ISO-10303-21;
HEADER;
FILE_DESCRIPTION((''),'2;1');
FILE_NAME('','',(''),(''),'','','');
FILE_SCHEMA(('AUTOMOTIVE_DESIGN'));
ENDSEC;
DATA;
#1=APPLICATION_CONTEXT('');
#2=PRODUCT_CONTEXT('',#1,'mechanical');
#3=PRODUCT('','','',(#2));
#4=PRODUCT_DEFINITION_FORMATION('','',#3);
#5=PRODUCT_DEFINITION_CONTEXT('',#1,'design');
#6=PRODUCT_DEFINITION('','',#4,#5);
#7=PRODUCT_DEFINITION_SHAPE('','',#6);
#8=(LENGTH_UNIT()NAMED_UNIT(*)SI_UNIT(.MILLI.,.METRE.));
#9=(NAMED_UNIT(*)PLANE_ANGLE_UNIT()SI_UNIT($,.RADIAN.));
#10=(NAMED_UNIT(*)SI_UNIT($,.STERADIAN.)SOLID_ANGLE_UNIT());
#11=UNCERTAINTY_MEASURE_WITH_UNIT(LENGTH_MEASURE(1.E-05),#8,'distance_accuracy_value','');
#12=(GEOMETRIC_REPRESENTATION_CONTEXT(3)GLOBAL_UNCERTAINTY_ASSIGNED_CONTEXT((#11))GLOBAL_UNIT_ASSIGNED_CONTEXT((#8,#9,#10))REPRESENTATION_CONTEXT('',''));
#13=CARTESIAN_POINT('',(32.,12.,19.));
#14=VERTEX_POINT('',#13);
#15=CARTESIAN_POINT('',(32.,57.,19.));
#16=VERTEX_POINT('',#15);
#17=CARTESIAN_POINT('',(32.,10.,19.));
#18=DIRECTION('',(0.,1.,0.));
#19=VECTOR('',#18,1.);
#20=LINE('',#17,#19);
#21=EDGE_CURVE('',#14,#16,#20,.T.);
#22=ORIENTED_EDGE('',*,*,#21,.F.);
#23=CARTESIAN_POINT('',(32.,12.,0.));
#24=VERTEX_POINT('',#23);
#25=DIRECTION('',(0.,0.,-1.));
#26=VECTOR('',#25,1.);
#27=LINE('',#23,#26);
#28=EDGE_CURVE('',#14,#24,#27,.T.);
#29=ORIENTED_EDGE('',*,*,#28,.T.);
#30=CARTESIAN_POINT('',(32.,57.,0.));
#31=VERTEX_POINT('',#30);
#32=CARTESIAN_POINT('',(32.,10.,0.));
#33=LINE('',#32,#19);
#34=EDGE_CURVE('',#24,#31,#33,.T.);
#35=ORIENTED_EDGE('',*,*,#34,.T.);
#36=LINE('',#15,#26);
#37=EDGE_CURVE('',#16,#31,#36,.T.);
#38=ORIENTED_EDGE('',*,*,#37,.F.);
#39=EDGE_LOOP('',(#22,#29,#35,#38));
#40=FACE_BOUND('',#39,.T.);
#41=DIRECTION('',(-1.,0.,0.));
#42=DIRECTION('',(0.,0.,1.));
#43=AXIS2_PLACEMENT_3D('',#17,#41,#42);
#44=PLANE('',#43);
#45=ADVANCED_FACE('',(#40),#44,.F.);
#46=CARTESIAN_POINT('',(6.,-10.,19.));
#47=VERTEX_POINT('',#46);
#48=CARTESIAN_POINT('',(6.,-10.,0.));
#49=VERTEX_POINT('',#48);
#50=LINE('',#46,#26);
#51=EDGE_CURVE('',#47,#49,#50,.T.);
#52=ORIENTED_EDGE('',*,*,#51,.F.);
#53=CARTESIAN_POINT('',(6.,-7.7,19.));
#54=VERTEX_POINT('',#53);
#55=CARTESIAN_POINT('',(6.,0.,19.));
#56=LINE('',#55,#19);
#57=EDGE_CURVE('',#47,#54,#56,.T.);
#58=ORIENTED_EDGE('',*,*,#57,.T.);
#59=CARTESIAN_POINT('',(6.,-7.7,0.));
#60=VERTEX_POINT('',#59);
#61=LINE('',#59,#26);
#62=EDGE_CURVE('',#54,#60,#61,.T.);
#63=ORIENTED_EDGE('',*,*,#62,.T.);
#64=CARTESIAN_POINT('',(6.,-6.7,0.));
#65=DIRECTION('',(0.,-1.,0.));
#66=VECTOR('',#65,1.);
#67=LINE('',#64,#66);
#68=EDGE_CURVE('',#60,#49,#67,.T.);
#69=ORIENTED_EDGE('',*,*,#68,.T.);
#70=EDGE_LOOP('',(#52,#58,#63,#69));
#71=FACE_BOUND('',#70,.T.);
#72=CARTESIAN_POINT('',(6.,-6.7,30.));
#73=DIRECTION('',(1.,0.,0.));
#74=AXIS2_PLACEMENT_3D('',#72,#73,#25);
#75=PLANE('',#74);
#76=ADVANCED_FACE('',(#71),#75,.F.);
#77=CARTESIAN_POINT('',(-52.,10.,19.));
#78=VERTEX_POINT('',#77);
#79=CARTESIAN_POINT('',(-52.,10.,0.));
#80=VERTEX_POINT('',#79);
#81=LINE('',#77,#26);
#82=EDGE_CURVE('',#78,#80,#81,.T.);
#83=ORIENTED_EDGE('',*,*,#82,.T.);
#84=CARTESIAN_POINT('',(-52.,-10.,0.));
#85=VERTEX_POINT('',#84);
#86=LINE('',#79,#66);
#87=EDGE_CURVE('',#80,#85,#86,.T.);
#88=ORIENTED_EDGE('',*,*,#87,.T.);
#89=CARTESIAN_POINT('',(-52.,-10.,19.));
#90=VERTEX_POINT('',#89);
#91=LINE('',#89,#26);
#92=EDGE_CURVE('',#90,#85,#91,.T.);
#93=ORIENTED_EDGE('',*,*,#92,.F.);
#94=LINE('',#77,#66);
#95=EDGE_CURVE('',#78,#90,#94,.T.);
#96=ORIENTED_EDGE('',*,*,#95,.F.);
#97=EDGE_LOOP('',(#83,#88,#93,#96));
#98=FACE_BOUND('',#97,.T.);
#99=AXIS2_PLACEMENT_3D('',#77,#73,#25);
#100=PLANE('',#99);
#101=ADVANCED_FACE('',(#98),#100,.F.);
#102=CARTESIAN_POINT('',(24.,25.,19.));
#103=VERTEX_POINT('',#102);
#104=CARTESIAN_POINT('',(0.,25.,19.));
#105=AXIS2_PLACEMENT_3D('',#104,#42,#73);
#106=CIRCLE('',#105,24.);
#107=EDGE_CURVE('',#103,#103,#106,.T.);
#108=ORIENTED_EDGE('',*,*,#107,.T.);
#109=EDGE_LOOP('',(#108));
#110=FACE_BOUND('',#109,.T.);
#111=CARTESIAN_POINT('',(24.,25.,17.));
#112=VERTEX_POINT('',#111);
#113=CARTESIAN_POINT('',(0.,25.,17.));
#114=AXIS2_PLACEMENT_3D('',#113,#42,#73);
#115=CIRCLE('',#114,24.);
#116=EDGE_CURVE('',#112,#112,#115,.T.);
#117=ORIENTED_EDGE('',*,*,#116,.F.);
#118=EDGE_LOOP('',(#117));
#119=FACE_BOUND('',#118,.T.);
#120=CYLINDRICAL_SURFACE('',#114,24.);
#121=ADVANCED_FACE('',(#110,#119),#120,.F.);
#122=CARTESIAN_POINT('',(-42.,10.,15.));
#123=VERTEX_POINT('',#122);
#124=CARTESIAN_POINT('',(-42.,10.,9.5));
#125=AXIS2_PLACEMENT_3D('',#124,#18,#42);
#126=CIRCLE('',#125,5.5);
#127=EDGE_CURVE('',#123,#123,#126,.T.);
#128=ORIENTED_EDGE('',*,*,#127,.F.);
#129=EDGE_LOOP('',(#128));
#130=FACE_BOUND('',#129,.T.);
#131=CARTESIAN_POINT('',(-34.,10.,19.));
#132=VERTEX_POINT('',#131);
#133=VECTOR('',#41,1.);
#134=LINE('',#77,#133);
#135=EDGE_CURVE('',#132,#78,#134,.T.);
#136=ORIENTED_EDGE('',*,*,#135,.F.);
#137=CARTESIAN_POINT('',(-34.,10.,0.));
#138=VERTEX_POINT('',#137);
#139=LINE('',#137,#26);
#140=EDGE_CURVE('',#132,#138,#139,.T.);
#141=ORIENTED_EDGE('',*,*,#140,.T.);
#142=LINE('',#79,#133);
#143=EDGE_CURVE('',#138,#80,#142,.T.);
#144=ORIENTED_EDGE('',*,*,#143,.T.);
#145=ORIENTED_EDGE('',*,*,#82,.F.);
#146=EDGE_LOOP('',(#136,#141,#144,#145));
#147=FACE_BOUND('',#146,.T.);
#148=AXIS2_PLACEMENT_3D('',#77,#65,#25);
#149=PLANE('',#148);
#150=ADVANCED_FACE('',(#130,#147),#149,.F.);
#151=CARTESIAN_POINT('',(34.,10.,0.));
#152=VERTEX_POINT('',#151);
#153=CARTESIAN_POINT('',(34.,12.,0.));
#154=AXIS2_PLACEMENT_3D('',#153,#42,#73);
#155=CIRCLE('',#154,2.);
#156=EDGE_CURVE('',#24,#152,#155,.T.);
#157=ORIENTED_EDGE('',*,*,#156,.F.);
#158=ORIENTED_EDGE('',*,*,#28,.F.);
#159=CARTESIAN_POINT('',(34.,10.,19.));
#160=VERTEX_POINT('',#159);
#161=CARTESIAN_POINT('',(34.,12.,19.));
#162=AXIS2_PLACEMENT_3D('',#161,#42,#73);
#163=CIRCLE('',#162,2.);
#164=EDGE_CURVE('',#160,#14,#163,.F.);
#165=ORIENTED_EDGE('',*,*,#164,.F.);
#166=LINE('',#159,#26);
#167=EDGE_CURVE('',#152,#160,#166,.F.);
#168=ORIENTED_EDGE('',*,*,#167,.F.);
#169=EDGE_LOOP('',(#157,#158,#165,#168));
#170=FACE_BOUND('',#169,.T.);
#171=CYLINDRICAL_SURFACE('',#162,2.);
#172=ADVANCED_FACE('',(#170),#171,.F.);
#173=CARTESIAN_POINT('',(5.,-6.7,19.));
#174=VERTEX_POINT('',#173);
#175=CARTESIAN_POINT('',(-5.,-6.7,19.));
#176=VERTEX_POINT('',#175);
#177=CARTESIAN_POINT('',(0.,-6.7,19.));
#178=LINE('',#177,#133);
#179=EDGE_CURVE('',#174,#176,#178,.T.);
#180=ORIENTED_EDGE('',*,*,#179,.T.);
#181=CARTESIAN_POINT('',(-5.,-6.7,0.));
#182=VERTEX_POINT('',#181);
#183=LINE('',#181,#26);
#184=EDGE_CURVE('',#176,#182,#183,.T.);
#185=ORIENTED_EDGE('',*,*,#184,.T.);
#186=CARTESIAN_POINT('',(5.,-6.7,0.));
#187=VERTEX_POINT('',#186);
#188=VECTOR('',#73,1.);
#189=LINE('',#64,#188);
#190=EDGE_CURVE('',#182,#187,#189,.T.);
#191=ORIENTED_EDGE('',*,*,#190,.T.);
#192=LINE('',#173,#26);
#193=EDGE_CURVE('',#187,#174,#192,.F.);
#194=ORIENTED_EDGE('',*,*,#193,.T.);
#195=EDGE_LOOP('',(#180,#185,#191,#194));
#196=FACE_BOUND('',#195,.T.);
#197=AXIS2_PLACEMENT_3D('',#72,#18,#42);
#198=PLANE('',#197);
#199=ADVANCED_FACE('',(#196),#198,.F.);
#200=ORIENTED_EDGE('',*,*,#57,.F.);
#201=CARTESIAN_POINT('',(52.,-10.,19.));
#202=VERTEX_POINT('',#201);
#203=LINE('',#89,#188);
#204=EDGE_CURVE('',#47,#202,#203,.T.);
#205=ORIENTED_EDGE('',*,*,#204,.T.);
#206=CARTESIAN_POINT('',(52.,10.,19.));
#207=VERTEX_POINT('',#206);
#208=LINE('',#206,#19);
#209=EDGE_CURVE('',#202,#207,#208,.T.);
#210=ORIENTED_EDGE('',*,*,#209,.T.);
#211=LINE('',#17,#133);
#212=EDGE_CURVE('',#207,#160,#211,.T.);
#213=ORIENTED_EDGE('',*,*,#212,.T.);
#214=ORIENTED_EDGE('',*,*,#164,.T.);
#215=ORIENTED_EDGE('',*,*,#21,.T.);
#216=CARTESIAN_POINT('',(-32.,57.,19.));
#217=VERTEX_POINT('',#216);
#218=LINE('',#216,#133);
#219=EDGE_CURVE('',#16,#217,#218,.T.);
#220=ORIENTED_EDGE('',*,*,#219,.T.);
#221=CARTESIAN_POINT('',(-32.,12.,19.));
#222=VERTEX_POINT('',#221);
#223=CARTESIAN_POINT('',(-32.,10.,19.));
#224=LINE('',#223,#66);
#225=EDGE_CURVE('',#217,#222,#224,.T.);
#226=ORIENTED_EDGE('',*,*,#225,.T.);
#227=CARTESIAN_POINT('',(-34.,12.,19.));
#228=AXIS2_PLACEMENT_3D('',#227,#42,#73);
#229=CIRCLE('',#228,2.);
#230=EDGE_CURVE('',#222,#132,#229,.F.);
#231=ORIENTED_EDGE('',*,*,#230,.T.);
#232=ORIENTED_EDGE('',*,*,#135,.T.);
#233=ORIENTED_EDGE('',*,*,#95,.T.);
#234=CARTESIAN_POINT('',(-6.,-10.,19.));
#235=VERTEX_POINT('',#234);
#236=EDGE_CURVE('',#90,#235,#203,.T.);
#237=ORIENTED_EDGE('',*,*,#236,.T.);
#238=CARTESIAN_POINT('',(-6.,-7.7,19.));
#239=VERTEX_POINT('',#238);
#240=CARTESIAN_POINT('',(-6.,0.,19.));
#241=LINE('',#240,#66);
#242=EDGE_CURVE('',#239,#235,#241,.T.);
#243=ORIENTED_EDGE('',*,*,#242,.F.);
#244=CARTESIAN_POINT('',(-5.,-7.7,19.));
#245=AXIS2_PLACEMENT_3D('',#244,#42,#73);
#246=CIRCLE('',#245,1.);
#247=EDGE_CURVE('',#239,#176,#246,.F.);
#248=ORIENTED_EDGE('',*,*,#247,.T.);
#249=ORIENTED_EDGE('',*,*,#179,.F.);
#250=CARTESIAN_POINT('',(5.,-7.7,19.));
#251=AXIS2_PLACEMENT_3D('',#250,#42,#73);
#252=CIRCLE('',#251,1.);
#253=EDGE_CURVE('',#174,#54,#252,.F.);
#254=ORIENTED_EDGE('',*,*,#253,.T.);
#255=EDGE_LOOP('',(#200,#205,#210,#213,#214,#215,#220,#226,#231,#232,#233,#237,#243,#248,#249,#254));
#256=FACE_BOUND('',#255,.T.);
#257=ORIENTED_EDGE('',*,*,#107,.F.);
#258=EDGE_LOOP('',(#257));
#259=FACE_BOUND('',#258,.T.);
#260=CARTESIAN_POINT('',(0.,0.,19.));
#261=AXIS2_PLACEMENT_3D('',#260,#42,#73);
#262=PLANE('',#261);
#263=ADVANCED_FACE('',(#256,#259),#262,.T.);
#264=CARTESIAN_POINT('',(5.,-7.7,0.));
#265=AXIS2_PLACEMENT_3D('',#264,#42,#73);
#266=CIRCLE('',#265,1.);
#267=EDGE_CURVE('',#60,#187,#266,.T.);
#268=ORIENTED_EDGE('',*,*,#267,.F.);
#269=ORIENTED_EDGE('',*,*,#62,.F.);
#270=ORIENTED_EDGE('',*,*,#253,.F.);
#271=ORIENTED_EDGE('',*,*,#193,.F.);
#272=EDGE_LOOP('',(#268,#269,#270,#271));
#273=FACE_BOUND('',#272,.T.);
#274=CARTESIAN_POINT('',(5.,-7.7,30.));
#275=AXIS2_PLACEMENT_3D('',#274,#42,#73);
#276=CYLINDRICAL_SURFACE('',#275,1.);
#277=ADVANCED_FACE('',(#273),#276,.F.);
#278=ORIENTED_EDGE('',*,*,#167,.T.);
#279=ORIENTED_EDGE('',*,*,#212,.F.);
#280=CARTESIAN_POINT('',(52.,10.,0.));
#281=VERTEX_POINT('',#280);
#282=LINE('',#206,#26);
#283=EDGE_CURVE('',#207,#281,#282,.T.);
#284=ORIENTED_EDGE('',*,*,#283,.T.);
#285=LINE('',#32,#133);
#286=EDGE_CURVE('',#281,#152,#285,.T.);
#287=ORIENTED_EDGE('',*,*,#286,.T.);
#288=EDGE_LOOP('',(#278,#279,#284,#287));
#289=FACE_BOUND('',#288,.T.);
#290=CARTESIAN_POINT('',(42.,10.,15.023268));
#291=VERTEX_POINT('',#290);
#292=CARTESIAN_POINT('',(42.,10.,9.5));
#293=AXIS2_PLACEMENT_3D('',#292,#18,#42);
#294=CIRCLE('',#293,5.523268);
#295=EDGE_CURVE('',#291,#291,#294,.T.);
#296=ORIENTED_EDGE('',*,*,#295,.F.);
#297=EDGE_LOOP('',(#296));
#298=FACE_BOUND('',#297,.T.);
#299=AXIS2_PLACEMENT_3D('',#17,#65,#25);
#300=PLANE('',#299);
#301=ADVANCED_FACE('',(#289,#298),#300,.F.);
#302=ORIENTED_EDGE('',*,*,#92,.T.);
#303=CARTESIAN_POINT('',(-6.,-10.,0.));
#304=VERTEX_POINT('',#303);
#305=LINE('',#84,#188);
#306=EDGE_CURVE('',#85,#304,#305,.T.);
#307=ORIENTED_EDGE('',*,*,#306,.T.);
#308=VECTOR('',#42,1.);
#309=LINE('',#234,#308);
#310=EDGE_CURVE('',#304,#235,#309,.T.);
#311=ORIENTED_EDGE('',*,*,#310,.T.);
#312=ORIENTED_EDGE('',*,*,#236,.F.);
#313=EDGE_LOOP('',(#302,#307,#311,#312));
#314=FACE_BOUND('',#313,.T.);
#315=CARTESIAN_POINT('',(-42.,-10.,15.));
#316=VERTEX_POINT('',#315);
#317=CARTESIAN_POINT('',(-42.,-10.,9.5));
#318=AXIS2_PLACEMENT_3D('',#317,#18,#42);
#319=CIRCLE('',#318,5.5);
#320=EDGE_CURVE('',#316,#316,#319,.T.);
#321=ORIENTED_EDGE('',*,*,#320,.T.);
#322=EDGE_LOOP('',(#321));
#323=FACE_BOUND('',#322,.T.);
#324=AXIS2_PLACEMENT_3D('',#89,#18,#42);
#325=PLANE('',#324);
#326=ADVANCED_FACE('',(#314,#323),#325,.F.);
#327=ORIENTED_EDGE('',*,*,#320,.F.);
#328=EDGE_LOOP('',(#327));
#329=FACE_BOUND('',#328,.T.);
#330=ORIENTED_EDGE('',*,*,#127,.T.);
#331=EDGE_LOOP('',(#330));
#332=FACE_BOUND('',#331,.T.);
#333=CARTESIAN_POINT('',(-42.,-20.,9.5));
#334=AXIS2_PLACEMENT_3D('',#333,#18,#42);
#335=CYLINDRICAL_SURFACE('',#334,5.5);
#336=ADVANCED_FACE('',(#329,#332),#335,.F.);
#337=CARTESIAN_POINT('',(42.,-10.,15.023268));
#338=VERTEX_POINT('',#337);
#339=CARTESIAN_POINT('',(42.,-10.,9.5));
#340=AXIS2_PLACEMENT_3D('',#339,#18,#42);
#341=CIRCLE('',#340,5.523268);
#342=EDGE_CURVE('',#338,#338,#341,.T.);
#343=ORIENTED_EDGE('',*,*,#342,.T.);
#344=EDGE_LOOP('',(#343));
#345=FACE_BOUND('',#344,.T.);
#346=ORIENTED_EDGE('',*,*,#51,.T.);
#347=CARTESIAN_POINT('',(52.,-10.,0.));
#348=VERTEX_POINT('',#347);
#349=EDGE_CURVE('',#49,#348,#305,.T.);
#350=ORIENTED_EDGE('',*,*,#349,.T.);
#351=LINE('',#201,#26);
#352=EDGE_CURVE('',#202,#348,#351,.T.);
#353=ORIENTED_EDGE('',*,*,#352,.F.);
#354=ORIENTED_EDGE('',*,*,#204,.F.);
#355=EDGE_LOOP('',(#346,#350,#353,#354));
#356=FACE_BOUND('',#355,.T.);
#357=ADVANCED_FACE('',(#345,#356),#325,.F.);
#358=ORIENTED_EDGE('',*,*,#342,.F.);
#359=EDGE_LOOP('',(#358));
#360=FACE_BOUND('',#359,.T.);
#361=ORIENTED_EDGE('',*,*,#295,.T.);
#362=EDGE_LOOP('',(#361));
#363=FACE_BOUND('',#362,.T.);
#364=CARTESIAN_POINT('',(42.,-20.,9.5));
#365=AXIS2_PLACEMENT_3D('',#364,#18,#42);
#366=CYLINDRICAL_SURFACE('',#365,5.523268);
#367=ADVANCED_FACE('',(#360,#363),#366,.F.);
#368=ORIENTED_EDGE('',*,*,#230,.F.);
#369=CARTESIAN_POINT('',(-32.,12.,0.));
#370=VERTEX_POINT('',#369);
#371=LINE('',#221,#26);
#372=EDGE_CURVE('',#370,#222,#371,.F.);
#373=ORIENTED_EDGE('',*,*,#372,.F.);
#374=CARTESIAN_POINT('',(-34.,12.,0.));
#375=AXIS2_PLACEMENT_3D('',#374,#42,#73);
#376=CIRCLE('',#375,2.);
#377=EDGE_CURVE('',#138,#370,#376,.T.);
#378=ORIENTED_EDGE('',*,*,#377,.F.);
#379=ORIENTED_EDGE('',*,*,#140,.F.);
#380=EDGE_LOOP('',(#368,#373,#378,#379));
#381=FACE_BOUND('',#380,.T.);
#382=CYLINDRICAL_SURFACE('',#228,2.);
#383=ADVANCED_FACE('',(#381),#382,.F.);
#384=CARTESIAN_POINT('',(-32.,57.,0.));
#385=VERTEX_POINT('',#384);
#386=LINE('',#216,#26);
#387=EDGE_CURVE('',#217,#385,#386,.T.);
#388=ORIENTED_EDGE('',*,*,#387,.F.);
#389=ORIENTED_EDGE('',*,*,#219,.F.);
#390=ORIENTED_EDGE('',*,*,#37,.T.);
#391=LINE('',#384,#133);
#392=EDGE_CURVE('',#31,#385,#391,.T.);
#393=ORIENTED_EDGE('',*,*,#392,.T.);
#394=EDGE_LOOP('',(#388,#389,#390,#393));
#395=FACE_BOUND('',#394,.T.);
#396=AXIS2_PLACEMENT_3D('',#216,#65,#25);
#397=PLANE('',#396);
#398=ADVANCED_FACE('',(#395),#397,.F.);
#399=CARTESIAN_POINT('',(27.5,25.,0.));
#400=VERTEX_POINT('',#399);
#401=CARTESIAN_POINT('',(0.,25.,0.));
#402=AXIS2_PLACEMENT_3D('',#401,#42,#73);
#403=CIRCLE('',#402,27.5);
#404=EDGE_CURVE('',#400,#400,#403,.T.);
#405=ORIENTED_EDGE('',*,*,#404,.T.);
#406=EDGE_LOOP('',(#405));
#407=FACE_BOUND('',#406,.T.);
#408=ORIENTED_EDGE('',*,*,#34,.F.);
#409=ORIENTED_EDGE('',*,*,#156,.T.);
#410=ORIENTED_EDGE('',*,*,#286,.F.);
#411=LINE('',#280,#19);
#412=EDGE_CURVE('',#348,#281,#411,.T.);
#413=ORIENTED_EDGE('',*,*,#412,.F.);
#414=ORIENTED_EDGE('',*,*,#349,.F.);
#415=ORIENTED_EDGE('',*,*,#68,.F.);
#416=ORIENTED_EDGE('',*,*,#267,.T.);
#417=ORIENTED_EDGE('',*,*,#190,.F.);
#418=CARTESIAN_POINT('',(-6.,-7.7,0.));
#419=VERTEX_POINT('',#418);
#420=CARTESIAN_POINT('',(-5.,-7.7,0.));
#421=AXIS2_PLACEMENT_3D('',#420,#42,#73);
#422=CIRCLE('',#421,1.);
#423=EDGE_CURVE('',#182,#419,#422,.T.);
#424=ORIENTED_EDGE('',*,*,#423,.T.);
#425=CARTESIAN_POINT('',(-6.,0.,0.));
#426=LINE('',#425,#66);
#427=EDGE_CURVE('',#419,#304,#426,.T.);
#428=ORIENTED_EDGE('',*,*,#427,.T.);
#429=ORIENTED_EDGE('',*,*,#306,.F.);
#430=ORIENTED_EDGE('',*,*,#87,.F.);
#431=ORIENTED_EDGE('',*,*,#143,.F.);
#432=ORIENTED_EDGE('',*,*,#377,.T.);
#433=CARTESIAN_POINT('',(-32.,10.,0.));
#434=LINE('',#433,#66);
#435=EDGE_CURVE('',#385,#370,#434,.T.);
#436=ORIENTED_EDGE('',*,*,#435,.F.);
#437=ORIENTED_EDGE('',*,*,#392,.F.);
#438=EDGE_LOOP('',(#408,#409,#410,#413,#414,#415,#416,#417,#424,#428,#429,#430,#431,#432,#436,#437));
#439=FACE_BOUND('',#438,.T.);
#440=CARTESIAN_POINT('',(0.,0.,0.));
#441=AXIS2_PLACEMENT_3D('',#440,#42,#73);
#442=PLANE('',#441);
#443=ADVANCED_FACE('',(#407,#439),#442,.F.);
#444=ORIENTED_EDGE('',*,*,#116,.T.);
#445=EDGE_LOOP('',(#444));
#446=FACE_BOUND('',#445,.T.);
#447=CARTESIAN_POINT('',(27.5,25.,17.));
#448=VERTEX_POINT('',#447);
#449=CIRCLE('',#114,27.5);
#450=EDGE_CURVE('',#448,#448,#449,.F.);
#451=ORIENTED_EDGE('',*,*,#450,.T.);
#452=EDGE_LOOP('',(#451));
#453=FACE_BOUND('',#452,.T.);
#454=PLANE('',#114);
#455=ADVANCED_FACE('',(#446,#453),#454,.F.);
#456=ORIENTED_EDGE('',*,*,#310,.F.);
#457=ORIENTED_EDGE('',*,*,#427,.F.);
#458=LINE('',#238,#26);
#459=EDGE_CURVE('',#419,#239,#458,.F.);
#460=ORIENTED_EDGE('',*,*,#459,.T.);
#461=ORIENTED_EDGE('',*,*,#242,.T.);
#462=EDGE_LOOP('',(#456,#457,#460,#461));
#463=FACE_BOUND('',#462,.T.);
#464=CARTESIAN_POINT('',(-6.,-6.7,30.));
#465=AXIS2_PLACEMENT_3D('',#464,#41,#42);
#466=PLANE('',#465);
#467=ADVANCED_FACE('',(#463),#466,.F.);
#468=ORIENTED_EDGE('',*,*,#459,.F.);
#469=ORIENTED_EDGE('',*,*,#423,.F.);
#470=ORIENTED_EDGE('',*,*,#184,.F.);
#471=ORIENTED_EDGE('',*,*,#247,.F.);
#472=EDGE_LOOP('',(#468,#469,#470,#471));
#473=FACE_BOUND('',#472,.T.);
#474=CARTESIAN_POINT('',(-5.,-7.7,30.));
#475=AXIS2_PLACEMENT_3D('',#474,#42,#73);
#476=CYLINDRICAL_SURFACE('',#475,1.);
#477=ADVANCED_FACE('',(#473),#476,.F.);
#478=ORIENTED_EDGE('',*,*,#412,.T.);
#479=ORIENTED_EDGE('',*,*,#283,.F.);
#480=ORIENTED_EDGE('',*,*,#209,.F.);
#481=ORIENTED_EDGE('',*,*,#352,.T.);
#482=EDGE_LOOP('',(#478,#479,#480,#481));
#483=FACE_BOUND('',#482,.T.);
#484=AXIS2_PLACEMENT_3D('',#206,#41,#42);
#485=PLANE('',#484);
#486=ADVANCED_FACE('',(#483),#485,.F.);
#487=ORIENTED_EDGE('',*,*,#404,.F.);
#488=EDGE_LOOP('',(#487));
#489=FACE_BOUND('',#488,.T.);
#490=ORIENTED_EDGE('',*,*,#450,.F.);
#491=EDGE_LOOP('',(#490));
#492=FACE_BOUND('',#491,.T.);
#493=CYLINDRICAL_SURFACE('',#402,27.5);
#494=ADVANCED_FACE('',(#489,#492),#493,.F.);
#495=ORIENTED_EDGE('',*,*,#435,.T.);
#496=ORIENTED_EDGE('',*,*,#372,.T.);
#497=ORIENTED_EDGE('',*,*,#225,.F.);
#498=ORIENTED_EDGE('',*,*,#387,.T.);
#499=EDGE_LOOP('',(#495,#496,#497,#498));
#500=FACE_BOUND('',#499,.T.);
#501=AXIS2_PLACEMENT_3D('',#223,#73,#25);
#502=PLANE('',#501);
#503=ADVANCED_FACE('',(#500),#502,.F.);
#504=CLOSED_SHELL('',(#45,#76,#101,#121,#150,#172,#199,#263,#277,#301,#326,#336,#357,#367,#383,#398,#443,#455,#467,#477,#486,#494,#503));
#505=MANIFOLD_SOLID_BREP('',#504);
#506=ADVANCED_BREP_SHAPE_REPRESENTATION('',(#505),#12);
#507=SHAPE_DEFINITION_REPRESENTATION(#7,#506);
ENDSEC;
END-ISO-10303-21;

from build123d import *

# Parameters (mm, degrees)
EXTRUDE_1_DEPTH     = 19
SKETCH_3_R          = 27.5
CUT_EXTRUDE_1_DEPTH = 19
SKETCH_4_R          = 5.5
SKETCH_4_R_2        = 5.523267564
CUT_EXTRUDE_2_DEPTH = 30
SKETCH_5_R          = 27.5
SKETCH_5_R_2        = 24
EXTRUDE_2_DEPTH     = 2
SKETCH_6_W          = 12
SKETCH_6_H          = 6.6
CUT_EXTRUDE_3_DEPTH = 30
FILLET_1_R          = 1
FILLET_2_R          = 2


with BuildPart() as part:
    # 草图2 → 凸台-拉伸1 (new body)
    with BuildSketch(Plane.XY):
        Polygon((32, 10), (52, 10), (52, -10), (-52, -10), (-52, 10), (-32, 10), (-32, 57), (32, 57), align=None)
    extrude(amount=EXTRUDE_1_DEPTH)

    # 草图3 → 切除-拉伸1 (cut)
    with BuildSketch(Plane.XY.offset(19)):
        with Locations((0, 25)):
            Circle(SKETCH_3_R)
    extrude(amount=-CUT_EXTRUDE_1_DEPTH, mode=Mode.SUBTRACT)

    # 草图4 → 切除-拉伸2 (cut)
    with BuildSketch(Plane(origin=(0, 10, 0), x_dir=(1, 0, 0), z_dir=(0, 1, 0))):
        with Locations(Location((-42, -9.5, 0), (0, 0, 270))):
            Circle(SKETCH_4_R)
        with Locations(Location((42, -9.5, 0), (0, 0, 270))):
            Circle(SKETCH_4_R_2)
    extrude(amount=-CUT_EXTRUDE_2_DEPTH, mode=Mode.SUBTRACT)

    # 草图5 → 凸台-拉伸2 (add)
    with BuildSketch(Plane.XY.offset(19)):
        with Locations((0, 25)):
            Circle(SKETCH_5_R)
        with Locations((0, 25)):
            Circle(SKETCH_5_R_2, mode=Mode.SUBTRACT)
    extrude(amount=-EXTRUDE_2_DEPTH)

    # 草图6 → 切除-拉伸3 (cut)
    with BuildSketch(Plane(origin=(0, 0, 0), x_dir=(-1, 0, 0), z_dir=(0, 0, -1))):
        with Locations((0, -10)):
            Rectangle(SKETCH_6_W, SKETCH_6_H)
    extrude(amount=-CUT_EXTRUDE_3_DEPTH, mode=Mode.SUBTRACT)

    # 圆角1
    fillet_1_edges = [part.edges().sort_by_distance(p)[0] for p in [
        (-6, -6.7, 9.5),
        (6, -6.7, 9.5),
    ]]
    fillet(fillet_1_edges, radius=FILLET_1_R)

    # 圆角2
    fillet_2_edges = [part.edges().sort_by_distance(p)[0] for p in [
        (-32, 10, 9.5),
        (32, 10, 9.5),
    ]]
    fillet(fillet_2_edges, radius=FILLET_2_R)


solid = part.part
